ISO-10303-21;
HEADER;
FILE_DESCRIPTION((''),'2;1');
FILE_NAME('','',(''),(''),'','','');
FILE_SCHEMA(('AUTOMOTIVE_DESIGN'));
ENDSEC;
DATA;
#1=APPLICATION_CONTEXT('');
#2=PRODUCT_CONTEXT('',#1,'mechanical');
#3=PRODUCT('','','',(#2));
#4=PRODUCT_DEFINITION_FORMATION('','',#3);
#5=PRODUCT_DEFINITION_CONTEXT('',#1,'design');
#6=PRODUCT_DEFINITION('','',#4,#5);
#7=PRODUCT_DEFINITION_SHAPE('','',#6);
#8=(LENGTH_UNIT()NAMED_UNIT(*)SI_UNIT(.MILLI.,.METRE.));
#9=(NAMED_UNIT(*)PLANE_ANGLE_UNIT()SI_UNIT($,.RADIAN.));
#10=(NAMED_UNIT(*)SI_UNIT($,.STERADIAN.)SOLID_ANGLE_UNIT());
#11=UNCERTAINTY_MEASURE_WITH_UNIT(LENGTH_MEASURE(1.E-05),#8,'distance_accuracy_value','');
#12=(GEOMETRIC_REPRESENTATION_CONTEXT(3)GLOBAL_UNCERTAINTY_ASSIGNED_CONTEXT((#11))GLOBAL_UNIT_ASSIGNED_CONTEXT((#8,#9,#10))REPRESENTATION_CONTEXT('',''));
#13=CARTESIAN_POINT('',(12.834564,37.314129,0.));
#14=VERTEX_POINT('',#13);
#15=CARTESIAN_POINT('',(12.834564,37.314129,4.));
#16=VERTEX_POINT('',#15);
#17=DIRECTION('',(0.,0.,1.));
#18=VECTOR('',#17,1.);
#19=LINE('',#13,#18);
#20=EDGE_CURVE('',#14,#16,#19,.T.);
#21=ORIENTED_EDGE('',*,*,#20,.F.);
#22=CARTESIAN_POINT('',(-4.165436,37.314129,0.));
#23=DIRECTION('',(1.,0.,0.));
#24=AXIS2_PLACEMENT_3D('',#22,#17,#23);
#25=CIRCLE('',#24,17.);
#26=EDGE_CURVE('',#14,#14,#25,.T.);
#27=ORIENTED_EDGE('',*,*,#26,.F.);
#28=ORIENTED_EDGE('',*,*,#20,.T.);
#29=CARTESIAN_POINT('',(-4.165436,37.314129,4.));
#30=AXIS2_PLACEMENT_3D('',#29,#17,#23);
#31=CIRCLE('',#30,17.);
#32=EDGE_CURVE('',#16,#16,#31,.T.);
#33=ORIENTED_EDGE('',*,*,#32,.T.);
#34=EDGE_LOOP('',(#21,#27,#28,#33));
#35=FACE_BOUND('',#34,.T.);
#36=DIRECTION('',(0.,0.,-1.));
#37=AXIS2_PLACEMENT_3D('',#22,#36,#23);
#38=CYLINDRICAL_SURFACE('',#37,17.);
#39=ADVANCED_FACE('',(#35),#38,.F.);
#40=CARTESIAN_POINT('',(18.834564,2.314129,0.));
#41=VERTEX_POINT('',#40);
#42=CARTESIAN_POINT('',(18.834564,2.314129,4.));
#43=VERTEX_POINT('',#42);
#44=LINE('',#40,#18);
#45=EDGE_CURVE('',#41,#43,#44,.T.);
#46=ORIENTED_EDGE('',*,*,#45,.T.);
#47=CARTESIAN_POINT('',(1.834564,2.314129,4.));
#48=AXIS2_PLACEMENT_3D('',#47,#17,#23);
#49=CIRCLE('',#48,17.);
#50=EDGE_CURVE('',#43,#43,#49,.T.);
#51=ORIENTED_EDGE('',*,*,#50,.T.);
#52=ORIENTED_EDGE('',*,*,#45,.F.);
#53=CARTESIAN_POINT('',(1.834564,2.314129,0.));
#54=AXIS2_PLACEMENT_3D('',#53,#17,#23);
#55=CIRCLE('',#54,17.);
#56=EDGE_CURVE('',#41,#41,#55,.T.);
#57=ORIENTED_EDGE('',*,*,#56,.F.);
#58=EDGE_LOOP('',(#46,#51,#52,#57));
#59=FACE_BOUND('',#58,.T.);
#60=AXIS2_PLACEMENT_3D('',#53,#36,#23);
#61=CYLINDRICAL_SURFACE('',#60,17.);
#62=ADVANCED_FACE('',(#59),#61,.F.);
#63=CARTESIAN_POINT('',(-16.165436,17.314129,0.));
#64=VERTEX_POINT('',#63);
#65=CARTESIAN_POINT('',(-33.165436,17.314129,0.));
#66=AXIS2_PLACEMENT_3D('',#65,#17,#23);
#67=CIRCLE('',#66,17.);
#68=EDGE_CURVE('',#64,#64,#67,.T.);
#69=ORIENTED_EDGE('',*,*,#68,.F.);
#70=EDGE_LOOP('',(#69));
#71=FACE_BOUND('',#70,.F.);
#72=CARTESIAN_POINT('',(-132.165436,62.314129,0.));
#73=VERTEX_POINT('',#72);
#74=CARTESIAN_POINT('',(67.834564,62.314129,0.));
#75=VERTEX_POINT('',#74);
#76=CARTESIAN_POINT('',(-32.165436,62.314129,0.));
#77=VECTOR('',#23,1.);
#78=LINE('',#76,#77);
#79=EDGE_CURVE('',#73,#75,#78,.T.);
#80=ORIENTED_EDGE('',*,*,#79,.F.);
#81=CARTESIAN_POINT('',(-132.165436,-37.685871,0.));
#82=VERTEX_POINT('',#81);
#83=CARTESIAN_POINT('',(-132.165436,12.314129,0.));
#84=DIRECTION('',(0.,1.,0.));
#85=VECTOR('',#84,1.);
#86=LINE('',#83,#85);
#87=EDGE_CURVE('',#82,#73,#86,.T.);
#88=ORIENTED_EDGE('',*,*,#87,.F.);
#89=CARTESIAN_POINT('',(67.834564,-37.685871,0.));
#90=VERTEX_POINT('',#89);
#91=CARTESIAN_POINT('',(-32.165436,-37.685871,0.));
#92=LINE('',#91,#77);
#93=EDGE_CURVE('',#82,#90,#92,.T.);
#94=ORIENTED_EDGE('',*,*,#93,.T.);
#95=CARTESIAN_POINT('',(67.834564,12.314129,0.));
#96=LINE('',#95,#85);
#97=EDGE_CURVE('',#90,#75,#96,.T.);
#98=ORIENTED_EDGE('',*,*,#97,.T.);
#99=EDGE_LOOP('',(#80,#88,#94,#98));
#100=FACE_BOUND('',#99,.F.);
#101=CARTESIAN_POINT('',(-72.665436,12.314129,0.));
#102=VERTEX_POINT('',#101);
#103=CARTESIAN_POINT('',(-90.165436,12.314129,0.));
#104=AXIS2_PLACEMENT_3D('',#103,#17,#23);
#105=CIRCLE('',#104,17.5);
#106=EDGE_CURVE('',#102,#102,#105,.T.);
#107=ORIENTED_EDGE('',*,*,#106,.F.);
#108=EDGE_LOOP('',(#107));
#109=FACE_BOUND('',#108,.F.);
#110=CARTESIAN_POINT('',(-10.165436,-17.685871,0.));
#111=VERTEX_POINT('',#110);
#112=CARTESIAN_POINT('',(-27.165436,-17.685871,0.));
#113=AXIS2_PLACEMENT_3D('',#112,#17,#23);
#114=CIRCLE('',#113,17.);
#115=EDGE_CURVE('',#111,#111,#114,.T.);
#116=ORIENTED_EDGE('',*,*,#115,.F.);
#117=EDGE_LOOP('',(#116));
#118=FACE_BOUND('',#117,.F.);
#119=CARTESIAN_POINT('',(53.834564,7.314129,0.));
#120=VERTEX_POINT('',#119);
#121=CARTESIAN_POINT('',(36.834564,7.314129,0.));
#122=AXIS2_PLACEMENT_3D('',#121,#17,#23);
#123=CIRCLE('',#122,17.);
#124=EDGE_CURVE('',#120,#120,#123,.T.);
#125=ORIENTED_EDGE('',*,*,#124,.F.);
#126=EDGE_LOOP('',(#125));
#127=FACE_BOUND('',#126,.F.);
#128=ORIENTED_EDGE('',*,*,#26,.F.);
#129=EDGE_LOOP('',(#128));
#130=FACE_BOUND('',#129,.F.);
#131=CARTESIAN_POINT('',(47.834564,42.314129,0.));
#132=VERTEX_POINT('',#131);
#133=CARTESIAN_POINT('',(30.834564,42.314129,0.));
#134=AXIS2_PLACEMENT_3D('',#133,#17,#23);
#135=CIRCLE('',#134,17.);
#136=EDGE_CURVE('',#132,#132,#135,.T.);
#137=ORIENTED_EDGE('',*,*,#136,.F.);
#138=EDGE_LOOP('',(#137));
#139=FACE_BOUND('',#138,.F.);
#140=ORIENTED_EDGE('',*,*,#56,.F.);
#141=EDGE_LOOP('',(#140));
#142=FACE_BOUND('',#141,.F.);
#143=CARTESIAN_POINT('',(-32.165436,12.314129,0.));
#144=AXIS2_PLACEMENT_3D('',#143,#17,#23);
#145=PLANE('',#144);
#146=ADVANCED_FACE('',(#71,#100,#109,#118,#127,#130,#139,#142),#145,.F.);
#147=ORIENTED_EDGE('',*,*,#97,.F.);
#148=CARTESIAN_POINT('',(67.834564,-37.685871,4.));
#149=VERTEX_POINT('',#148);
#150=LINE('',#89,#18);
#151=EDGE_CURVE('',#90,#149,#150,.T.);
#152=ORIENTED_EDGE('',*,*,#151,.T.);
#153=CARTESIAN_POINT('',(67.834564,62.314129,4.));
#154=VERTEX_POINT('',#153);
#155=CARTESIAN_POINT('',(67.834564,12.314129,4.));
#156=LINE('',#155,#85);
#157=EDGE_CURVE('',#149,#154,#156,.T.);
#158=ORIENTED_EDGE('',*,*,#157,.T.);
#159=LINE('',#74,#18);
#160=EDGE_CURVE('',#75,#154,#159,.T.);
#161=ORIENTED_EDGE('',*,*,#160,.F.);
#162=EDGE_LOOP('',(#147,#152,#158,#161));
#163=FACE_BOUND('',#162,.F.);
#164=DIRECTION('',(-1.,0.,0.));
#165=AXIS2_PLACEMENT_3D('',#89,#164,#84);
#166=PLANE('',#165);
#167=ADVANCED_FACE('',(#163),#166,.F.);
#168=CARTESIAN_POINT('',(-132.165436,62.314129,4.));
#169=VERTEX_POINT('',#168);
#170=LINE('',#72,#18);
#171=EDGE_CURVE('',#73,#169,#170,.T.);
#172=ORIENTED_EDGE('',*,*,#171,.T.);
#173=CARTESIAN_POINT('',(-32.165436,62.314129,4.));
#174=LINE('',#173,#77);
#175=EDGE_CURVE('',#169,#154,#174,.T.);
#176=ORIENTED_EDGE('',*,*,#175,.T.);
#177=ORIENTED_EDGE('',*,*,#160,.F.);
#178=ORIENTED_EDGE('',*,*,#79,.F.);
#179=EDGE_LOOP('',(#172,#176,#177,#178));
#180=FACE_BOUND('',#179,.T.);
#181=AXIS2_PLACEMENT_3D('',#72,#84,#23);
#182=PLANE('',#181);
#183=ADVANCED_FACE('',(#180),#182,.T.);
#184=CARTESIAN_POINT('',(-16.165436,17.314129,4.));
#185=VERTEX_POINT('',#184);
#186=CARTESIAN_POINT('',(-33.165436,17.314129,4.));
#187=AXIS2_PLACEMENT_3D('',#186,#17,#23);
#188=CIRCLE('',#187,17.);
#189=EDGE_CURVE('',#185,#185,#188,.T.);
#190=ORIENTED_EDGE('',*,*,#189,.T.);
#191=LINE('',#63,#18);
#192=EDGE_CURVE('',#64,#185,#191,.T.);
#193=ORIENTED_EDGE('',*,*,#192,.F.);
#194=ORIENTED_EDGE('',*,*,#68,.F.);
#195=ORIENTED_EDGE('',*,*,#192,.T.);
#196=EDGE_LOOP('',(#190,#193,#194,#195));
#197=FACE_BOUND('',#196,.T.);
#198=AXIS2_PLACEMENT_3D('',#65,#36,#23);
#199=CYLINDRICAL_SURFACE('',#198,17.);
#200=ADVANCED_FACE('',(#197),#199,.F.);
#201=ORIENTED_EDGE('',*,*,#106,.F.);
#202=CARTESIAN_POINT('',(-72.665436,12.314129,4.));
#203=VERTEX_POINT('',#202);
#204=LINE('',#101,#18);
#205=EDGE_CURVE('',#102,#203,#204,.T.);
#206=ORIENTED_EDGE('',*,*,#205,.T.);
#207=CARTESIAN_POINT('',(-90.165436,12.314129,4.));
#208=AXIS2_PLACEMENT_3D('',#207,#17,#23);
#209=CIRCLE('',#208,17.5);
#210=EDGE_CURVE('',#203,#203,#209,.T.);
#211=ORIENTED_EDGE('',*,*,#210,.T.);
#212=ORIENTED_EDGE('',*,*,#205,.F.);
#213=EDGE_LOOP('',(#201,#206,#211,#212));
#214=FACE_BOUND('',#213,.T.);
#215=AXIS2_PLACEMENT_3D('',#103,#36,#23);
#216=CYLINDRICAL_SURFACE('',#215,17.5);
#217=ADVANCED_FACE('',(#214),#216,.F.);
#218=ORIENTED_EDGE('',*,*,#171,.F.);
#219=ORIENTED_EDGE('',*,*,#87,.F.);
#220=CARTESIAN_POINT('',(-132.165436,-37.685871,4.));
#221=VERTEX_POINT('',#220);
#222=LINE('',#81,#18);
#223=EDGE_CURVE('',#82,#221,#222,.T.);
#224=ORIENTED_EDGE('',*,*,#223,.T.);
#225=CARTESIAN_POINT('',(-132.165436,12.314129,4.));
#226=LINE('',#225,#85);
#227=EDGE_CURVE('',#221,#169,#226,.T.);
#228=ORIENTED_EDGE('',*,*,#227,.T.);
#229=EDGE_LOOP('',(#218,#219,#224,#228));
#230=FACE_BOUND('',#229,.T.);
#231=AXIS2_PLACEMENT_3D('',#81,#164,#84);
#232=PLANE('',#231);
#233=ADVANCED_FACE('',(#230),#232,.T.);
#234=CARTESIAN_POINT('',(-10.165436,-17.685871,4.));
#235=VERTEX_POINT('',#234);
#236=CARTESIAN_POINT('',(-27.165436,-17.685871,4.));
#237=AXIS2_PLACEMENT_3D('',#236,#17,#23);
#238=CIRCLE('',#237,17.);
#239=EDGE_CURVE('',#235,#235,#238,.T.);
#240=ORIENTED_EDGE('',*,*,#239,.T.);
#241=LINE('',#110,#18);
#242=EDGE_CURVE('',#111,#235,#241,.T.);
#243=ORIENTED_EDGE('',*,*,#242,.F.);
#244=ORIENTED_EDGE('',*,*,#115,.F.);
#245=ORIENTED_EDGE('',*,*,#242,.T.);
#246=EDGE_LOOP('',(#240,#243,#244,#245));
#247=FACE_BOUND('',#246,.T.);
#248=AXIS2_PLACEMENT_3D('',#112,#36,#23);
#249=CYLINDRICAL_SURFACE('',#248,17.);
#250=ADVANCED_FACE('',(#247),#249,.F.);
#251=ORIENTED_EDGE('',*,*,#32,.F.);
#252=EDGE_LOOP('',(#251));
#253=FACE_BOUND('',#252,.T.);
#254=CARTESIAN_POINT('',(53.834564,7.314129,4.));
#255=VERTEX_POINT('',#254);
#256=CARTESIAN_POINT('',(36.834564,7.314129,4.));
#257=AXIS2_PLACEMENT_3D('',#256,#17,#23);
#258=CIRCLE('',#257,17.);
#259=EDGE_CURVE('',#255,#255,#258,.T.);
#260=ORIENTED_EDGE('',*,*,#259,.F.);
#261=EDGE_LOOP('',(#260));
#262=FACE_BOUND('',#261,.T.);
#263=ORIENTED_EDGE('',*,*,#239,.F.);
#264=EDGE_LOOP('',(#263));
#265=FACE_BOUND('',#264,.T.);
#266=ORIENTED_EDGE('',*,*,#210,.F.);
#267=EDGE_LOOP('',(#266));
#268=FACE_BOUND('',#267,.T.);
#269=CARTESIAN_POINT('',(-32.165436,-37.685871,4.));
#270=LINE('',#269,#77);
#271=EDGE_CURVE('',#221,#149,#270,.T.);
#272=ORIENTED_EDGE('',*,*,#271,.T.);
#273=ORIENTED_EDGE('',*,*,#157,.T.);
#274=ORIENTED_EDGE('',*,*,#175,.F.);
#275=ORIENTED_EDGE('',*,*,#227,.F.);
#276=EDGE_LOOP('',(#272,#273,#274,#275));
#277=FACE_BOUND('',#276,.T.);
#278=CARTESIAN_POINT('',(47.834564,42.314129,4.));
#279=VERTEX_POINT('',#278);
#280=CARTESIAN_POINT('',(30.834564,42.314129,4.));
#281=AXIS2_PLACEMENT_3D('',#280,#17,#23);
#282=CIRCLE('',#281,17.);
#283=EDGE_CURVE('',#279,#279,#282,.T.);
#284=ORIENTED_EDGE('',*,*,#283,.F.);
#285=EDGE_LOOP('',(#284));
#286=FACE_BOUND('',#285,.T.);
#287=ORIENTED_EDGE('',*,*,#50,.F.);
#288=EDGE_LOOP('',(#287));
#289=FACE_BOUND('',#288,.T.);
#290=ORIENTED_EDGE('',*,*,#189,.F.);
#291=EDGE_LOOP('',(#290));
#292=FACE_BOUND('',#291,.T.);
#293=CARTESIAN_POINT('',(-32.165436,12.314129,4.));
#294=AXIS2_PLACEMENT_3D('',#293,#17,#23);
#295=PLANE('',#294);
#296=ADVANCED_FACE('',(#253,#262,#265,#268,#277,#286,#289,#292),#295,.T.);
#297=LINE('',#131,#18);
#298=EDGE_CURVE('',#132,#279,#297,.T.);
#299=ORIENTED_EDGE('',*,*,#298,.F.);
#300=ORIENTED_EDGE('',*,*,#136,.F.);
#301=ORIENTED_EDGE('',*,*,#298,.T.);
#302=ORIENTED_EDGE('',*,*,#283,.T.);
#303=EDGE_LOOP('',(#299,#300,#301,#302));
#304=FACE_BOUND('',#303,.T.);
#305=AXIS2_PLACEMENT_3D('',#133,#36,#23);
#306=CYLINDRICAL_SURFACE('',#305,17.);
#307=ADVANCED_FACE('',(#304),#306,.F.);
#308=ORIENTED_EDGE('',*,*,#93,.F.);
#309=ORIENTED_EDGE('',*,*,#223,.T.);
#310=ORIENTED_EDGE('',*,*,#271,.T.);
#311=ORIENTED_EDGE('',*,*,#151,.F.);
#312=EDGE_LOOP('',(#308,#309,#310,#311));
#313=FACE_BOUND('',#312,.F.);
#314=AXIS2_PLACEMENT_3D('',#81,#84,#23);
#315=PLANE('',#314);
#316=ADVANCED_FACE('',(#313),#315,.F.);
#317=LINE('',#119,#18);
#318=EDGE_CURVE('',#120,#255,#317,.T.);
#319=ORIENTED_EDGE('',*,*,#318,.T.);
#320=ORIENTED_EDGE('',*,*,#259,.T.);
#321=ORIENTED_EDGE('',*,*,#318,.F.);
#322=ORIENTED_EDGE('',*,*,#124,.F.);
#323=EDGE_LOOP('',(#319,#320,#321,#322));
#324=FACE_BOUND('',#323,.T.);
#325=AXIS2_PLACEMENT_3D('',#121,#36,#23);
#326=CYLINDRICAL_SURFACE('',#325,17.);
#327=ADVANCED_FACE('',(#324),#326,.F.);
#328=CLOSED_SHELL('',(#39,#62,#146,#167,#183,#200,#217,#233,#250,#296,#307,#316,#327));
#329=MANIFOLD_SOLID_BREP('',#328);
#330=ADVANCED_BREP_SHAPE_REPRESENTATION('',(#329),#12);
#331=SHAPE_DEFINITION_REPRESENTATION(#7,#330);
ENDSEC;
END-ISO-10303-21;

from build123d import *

# Parameters (mm, degrees)
F0_W     = 200
F0_H     = 100
F2_DEPTH = 4
F1_R     = 17.5
F1_R_2   = 17
F3_DEPTH = 4


with BuildPart() as f2:
    # F0 (on Top) → F2 (new body)
    with BuildSketch(Plane.XY):
        with Locations((-32.165436, 12.314129)):
            Rectangle(F0_W, F0_H)
    extrude(amount=F2_DEPTH)

    # F1 (on face) → F3 (cut)
    with BuildSketch(Plane.XY):
        with Locations((-90.165436, 12.314129)):
            Circle(F1_R)
        with Locations((-27.165436, -17.685871)):
            Circle(F1_R_2)
        with Locations((-33.165436, 17.314129)):
            Circle(F1_R_2)
        with Locations((1.834564, 2.314129)):
            Circle(F1_R_2)
        with Locations((-4.165436, 37.314129)):
            Circle(F1_R_2)
        with Locations((36.834564, 7.314129)):
            Circle(F1_R_2)
        with Locations((30.834564, 42.314129)):
            Circle(F1_R_2)
    extrude(amount=F3_DEPTH, mode=Mode.SUBTRACT)


solid = f2.part
